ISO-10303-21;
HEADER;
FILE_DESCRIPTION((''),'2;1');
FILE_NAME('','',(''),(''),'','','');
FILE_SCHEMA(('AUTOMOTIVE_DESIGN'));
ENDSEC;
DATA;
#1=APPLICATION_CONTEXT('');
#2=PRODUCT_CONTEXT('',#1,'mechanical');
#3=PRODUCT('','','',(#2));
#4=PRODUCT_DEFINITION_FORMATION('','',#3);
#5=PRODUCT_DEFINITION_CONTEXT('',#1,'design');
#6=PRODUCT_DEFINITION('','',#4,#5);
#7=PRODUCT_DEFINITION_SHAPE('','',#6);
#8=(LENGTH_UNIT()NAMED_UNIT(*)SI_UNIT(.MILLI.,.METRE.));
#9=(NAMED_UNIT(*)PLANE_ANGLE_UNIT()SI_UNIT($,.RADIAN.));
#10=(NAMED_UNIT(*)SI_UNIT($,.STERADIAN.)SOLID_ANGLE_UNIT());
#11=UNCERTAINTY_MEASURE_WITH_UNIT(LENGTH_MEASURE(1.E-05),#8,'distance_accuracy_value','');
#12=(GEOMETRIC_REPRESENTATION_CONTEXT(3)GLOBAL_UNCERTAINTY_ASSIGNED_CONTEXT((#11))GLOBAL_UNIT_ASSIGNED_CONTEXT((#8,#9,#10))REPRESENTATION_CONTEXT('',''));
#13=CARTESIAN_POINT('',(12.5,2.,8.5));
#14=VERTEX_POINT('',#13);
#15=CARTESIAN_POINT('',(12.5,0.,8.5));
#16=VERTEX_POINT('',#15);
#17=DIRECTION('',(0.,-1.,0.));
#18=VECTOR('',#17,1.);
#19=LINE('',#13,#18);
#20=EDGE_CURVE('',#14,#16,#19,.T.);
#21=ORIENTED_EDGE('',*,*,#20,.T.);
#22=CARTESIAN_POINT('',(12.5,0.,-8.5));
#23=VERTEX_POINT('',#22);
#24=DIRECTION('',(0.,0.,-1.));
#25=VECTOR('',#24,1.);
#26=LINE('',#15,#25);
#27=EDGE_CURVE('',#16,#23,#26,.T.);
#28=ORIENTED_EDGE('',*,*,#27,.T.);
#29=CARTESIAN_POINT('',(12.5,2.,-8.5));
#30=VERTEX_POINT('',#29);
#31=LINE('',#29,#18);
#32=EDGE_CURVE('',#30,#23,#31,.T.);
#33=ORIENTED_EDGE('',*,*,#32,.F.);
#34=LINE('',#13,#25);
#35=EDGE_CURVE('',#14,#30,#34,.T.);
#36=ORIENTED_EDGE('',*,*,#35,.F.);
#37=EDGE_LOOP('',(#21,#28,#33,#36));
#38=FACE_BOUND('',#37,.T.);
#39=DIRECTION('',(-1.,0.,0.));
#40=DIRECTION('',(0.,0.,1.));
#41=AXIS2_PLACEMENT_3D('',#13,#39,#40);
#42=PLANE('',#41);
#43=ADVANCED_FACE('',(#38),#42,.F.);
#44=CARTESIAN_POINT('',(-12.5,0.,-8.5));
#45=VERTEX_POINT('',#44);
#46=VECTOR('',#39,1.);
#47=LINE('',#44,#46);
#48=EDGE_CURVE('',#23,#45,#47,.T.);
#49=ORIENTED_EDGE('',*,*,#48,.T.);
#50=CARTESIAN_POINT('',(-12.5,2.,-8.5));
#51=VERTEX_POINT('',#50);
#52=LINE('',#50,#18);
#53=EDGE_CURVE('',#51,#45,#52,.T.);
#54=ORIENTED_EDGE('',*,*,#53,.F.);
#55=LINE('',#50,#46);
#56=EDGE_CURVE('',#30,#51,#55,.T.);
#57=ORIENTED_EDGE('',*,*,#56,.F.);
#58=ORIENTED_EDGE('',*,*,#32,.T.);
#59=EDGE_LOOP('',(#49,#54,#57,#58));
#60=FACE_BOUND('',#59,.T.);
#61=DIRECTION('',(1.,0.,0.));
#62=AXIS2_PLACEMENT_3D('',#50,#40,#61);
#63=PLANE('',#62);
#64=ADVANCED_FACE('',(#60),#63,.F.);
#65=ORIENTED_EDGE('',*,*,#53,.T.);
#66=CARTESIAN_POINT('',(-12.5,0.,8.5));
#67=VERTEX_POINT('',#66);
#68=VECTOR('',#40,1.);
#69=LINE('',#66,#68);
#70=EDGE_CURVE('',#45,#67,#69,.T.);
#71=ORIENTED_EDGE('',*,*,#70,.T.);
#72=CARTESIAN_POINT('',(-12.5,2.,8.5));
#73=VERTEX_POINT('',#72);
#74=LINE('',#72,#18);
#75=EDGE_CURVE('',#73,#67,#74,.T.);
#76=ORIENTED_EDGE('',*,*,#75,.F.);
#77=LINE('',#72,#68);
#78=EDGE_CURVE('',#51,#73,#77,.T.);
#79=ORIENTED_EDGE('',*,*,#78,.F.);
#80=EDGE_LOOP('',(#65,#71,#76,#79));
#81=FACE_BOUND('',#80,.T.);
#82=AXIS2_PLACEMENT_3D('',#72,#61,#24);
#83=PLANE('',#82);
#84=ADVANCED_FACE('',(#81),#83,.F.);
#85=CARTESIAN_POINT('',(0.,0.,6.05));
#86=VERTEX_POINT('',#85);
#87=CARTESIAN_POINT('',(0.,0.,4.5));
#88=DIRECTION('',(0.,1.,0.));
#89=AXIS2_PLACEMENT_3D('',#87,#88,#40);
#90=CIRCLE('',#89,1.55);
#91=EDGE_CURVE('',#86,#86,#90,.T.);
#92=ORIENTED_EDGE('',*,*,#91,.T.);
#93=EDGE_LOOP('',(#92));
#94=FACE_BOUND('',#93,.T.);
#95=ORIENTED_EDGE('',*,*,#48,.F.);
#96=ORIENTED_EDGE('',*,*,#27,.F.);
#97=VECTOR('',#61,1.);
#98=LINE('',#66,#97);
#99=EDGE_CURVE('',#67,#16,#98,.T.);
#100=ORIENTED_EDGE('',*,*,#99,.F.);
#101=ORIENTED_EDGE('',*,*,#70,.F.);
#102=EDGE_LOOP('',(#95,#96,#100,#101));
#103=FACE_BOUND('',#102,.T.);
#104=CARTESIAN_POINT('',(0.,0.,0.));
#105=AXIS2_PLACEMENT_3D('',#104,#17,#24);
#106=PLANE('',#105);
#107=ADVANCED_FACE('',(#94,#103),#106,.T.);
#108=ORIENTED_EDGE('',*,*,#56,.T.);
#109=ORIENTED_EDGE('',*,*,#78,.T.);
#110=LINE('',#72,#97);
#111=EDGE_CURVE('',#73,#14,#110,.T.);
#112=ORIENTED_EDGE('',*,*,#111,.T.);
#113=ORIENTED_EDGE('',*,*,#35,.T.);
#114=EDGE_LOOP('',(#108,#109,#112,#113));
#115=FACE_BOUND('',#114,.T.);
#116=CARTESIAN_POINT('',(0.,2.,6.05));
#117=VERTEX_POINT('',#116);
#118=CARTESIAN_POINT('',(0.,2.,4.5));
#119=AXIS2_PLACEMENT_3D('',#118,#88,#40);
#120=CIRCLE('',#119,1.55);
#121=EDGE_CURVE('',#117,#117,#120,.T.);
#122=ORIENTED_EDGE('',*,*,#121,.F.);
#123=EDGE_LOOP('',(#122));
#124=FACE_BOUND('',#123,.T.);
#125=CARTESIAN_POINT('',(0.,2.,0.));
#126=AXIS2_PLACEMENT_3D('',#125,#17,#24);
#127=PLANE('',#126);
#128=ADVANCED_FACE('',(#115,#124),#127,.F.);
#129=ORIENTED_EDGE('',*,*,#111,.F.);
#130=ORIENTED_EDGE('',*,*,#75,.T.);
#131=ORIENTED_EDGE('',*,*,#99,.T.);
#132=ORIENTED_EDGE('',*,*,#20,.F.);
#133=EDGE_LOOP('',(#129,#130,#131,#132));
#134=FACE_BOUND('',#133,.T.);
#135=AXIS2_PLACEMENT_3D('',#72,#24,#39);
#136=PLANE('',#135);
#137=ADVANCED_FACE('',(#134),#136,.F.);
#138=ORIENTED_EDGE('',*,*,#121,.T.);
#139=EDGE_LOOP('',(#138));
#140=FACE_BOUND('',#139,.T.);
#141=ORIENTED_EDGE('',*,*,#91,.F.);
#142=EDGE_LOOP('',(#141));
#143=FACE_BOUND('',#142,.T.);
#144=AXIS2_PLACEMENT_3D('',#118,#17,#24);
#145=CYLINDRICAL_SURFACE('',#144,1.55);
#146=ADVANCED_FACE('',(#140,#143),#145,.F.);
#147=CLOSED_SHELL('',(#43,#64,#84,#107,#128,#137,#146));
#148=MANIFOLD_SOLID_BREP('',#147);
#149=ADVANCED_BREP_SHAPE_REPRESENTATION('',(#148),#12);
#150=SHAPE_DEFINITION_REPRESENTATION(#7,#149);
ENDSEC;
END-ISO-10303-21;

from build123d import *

# Parameters (mm, degrees)
SKETCH_1_W      = 25
SKETCH_1_H      = 17
SKETCH_1_R      = 1.55
EXTRUDE_1_DEPTH = 2


with BuildPart() as part:
    # 草图1 → 凸台-拉伸1 (new body)
    with BuildSketch(Plane(origin=(0, 0, 0), x_dir=(1, 0, 0), z_dir=(0, 1, 0))):
        Rectangle(SKETCH_1_W, SKETCH_1_H)
        with Locations(Location((0, -4.5, 0), (0, 0, 270))):
            Circle(SKETCH_1_R, mode=Mode.SUBTRACT)
    extrude(amount=EXTRUDE_1_DEPTH)


solid = part.part
